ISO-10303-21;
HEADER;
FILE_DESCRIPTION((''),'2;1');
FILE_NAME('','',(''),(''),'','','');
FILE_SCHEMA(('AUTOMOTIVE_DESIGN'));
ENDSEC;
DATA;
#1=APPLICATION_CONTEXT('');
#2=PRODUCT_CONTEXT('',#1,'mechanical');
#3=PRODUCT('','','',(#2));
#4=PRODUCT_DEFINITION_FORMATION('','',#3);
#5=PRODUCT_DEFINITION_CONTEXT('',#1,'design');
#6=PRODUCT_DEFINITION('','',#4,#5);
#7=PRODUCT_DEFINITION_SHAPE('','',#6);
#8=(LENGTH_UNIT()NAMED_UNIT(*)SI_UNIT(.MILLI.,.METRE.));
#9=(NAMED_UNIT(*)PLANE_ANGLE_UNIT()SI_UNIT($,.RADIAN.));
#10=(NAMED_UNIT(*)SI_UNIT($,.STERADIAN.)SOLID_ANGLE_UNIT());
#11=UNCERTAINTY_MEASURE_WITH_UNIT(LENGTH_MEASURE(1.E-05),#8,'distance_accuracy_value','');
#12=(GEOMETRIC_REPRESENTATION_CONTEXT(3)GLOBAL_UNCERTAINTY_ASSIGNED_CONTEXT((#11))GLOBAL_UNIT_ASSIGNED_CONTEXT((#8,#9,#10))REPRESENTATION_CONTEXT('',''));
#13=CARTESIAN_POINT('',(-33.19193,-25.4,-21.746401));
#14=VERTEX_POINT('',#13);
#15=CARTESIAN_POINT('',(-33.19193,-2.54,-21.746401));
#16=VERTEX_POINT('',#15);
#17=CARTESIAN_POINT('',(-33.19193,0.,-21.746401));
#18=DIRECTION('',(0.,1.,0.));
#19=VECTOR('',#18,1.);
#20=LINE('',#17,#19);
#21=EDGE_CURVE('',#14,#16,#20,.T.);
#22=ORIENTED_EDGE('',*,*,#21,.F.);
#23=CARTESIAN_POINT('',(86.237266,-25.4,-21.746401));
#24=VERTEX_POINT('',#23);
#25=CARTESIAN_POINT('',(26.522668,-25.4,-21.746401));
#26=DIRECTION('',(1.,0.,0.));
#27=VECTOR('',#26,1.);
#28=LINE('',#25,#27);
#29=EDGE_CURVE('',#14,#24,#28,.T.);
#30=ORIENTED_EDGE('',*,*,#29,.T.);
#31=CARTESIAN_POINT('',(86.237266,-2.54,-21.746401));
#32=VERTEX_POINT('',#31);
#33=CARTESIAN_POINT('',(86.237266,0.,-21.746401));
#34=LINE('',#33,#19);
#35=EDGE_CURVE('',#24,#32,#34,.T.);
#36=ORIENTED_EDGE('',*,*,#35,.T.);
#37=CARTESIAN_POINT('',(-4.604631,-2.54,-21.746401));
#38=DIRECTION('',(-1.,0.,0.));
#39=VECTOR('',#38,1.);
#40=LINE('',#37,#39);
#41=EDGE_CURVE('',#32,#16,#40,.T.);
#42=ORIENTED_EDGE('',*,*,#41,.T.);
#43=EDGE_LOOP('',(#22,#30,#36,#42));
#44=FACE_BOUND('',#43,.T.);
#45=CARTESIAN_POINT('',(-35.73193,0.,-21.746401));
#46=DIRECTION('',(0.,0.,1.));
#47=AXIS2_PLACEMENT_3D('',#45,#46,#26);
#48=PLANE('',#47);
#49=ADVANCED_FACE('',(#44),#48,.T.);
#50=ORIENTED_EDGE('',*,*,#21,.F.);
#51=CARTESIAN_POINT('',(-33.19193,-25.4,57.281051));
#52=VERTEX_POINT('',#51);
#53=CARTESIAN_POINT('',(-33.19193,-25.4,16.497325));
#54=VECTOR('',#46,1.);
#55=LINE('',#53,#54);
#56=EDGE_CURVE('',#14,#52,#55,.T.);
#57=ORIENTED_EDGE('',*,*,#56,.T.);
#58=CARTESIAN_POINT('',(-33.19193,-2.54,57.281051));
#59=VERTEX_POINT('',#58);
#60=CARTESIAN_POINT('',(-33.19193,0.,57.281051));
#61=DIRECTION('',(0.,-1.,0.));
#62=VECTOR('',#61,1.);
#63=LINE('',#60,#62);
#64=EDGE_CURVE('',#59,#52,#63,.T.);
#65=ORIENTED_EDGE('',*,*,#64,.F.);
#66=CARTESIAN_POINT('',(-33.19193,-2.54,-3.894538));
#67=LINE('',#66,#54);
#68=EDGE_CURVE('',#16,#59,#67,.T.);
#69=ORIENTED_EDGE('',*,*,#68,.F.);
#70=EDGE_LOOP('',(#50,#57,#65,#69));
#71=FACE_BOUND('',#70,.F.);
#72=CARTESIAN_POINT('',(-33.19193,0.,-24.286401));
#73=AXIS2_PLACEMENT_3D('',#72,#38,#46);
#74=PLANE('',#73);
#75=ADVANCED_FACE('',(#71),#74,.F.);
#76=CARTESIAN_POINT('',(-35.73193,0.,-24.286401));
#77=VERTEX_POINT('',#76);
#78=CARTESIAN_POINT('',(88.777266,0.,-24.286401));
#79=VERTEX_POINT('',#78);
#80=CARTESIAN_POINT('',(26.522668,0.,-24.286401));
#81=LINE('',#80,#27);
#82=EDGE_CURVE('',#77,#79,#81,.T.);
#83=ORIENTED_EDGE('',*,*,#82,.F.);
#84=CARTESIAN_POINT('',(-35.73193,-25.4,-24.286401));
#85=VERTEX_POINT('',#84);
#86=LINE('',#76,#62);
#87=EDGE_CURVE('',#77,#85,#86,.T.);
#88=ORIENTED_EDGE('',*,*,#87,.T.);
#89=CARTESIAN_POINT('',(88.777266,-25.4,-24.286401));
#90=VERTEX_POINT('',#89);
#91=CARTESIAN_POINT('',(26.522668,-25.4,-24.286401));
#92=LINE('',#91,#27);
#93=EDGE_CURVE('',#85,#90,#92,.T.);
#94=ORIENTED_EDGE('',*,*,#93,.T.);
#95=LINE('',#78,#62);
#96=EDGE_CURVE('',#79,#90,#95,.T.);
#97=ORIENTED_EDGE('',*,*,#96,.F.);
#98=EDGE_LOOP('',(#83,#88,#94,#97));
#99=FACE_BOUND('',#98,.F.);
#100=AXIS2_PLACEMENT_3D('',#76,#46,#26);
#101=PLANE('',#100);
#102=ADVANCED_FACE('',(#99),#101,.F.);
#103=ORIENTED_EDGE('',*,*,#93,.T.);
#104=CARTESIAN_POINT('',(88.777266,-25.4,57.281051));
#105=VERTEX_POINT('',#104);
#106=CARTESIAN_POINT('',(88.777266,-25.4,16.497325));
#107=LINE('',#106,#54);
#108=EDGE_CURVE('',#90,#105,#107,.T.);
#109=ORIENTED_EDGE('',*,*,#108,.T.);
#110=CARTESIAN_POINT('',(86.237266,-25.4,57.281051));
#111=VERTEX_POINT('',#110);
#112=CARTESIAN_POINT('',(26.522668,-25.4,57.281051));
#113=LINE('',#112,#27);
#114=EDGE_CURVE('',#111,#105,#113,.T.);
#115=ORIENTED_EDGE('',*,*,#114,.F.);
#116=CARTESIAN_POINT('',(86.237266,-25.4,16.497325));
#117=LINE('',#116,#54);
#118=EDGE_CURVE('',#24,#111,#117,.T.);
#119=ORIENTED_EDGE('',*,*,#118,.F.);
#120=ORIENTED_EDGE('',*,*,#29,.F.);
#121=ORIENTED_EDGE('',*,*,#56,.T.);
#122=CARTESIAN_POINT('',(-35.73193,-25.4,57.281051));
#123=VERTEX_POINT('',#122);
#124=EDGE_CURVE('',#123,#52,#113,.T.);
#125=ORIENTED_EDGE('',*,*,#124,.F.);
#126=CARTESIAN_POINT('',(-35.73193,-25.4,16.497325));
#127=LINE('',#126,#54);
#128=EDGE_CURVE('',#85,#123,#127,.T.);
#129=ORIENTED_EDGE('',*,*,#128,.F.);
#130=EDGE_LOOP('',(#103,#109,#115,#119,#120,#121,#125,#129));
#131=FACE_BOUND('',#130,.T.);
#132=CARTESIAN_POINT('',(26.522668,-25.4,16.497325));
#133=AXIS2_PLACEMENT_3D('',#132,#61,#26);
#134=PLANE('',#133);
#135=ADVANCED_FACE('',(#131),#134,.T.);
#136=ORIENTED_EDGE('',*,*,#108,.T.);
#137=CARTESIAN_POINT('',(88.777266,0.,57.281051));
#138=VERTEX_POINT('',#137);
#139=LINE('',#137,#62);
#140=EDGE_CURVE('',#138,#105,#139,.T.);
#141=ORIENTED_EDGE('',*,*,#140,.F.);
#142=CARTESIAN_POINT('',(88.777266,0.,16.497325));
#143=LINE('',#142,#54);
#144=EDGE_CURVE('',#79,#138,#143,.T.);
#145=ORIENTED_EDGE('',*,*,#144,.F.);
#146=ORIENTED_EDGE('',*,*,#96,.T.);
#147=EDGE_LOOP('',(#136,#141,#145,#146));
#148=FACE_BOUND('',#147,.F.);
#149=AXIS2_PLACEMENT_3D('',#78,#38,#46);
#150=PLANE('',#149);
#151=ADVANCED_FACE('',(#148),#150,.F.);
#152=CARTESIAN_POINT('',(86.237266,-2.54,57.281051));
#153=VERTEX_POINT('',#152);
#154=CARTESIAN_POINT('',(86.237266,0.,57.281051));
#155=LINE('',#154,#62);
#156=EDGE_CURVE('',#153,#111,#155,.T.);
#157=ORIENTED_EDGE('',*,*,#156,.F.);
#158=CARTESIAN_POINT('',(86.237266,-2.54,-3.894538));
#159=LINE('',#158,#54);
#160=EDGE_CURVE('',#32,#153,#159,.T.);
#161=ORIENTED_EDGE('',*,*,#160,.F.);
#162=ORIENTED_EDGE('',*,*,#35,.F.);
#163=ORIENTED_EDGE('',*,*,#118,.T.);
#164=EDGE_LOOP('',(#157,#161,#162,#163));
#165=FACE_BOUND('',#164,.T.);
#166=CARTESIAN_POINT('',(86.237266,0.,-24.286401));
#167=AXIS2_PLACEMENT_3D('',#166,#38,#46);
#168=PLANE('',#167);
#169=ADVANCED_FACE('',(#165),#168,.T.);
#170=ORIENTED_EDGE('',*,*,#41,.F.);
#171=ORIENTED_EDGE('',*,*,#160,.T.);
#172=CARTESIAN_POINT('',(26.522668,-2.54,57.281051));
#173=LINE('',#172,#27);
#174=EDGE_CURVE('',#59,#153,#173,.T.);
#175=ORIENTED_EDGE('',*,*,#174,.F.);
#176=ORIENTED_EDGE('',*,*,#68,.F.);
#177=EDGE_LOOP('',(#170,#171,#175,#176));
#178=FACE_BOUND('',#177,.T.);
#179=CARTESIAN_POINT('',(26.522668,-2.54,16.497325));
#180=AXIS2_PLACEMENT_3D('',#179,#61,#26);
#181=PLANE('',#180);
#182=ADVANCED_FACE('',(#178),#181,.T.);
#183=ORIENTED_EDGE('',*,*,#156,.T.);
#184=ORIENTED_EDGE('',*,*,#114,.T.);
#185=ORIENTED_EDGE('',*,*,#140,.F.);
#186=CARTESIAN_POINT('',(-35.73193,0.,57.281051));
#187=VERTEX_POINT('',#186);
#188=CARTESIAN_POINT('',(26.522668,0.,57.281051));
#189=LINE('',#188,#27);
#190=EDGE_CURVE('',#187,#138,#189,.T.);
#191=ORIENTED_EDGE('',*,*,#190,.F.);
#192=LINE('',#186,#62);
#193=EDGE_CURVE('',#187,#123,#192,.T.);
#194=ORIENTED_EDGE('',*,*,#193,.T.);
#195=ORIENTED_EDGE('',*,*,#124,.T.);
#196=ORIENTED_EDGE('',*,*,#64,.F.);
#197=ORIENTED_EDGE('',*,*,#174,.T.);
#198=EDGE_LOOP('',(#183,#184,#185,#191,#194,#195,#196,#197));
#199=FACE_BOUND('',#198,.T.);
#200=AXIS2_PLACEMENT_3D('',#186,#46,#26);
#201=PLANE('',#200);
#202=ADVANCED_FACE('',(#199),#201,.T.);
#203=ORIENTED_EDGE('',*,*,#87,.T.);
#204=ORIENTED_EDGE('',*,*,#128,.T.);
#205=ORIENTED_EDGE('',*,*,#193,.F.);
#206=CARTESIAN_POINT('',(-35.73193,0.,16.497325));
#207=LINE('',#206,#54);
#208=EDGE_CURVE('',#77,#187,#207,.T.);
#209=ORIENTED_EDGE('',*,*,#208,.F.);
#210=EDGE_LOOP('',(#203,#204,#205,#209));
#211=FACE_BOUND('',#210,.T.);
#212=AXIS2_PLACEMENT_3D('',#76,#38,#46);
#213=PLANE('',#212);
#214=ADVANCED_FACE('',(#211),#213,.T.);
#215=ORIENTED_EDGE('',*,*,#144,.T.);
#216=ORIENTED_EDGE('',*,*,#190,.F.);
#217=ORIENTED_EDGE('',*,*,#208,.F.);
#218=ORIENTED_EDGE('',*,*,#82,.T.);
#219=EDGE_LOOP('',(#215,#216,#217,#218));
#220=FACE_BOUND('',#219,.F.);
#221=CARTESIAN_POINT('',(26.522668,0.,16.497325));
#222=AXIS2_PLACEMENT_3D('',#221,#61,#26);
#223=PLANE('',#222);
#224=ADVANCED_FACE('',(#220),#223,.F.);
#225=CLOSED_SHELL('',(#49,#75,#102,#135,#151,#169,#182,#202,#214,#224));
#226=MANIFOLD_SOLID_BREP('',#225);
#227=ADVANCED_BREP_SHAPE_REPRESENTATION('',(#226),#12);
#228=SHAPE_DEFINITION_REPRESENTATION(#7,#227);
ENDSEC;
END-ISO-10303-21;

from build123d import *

# Parameters (mm, degrees)
F0_W     = 124.509196
F0_H     = 81.567452
F1_DEPTH = 25.4
F2_T     = -2.54


with BuildPart() as f1:
    # F0 (on Front) → F1 (new body)
    with BuildSketch(Plane.XZ):
        with Locations((26.522668, 16.497325)):
            Rectangle(F0_W, F0_H)
    extrude(amount=F1_DEPTH)

    # F2
    f2_openings = [f1.faces().sort_by_distance(p)[0] for p in [
        (26.522668, -12.7, 57.281051),
        (26.522668, -25.4, 16.497325),
    ]]
    offset(amount=F2_T, openings=f2_openings)


solid = f1.part
